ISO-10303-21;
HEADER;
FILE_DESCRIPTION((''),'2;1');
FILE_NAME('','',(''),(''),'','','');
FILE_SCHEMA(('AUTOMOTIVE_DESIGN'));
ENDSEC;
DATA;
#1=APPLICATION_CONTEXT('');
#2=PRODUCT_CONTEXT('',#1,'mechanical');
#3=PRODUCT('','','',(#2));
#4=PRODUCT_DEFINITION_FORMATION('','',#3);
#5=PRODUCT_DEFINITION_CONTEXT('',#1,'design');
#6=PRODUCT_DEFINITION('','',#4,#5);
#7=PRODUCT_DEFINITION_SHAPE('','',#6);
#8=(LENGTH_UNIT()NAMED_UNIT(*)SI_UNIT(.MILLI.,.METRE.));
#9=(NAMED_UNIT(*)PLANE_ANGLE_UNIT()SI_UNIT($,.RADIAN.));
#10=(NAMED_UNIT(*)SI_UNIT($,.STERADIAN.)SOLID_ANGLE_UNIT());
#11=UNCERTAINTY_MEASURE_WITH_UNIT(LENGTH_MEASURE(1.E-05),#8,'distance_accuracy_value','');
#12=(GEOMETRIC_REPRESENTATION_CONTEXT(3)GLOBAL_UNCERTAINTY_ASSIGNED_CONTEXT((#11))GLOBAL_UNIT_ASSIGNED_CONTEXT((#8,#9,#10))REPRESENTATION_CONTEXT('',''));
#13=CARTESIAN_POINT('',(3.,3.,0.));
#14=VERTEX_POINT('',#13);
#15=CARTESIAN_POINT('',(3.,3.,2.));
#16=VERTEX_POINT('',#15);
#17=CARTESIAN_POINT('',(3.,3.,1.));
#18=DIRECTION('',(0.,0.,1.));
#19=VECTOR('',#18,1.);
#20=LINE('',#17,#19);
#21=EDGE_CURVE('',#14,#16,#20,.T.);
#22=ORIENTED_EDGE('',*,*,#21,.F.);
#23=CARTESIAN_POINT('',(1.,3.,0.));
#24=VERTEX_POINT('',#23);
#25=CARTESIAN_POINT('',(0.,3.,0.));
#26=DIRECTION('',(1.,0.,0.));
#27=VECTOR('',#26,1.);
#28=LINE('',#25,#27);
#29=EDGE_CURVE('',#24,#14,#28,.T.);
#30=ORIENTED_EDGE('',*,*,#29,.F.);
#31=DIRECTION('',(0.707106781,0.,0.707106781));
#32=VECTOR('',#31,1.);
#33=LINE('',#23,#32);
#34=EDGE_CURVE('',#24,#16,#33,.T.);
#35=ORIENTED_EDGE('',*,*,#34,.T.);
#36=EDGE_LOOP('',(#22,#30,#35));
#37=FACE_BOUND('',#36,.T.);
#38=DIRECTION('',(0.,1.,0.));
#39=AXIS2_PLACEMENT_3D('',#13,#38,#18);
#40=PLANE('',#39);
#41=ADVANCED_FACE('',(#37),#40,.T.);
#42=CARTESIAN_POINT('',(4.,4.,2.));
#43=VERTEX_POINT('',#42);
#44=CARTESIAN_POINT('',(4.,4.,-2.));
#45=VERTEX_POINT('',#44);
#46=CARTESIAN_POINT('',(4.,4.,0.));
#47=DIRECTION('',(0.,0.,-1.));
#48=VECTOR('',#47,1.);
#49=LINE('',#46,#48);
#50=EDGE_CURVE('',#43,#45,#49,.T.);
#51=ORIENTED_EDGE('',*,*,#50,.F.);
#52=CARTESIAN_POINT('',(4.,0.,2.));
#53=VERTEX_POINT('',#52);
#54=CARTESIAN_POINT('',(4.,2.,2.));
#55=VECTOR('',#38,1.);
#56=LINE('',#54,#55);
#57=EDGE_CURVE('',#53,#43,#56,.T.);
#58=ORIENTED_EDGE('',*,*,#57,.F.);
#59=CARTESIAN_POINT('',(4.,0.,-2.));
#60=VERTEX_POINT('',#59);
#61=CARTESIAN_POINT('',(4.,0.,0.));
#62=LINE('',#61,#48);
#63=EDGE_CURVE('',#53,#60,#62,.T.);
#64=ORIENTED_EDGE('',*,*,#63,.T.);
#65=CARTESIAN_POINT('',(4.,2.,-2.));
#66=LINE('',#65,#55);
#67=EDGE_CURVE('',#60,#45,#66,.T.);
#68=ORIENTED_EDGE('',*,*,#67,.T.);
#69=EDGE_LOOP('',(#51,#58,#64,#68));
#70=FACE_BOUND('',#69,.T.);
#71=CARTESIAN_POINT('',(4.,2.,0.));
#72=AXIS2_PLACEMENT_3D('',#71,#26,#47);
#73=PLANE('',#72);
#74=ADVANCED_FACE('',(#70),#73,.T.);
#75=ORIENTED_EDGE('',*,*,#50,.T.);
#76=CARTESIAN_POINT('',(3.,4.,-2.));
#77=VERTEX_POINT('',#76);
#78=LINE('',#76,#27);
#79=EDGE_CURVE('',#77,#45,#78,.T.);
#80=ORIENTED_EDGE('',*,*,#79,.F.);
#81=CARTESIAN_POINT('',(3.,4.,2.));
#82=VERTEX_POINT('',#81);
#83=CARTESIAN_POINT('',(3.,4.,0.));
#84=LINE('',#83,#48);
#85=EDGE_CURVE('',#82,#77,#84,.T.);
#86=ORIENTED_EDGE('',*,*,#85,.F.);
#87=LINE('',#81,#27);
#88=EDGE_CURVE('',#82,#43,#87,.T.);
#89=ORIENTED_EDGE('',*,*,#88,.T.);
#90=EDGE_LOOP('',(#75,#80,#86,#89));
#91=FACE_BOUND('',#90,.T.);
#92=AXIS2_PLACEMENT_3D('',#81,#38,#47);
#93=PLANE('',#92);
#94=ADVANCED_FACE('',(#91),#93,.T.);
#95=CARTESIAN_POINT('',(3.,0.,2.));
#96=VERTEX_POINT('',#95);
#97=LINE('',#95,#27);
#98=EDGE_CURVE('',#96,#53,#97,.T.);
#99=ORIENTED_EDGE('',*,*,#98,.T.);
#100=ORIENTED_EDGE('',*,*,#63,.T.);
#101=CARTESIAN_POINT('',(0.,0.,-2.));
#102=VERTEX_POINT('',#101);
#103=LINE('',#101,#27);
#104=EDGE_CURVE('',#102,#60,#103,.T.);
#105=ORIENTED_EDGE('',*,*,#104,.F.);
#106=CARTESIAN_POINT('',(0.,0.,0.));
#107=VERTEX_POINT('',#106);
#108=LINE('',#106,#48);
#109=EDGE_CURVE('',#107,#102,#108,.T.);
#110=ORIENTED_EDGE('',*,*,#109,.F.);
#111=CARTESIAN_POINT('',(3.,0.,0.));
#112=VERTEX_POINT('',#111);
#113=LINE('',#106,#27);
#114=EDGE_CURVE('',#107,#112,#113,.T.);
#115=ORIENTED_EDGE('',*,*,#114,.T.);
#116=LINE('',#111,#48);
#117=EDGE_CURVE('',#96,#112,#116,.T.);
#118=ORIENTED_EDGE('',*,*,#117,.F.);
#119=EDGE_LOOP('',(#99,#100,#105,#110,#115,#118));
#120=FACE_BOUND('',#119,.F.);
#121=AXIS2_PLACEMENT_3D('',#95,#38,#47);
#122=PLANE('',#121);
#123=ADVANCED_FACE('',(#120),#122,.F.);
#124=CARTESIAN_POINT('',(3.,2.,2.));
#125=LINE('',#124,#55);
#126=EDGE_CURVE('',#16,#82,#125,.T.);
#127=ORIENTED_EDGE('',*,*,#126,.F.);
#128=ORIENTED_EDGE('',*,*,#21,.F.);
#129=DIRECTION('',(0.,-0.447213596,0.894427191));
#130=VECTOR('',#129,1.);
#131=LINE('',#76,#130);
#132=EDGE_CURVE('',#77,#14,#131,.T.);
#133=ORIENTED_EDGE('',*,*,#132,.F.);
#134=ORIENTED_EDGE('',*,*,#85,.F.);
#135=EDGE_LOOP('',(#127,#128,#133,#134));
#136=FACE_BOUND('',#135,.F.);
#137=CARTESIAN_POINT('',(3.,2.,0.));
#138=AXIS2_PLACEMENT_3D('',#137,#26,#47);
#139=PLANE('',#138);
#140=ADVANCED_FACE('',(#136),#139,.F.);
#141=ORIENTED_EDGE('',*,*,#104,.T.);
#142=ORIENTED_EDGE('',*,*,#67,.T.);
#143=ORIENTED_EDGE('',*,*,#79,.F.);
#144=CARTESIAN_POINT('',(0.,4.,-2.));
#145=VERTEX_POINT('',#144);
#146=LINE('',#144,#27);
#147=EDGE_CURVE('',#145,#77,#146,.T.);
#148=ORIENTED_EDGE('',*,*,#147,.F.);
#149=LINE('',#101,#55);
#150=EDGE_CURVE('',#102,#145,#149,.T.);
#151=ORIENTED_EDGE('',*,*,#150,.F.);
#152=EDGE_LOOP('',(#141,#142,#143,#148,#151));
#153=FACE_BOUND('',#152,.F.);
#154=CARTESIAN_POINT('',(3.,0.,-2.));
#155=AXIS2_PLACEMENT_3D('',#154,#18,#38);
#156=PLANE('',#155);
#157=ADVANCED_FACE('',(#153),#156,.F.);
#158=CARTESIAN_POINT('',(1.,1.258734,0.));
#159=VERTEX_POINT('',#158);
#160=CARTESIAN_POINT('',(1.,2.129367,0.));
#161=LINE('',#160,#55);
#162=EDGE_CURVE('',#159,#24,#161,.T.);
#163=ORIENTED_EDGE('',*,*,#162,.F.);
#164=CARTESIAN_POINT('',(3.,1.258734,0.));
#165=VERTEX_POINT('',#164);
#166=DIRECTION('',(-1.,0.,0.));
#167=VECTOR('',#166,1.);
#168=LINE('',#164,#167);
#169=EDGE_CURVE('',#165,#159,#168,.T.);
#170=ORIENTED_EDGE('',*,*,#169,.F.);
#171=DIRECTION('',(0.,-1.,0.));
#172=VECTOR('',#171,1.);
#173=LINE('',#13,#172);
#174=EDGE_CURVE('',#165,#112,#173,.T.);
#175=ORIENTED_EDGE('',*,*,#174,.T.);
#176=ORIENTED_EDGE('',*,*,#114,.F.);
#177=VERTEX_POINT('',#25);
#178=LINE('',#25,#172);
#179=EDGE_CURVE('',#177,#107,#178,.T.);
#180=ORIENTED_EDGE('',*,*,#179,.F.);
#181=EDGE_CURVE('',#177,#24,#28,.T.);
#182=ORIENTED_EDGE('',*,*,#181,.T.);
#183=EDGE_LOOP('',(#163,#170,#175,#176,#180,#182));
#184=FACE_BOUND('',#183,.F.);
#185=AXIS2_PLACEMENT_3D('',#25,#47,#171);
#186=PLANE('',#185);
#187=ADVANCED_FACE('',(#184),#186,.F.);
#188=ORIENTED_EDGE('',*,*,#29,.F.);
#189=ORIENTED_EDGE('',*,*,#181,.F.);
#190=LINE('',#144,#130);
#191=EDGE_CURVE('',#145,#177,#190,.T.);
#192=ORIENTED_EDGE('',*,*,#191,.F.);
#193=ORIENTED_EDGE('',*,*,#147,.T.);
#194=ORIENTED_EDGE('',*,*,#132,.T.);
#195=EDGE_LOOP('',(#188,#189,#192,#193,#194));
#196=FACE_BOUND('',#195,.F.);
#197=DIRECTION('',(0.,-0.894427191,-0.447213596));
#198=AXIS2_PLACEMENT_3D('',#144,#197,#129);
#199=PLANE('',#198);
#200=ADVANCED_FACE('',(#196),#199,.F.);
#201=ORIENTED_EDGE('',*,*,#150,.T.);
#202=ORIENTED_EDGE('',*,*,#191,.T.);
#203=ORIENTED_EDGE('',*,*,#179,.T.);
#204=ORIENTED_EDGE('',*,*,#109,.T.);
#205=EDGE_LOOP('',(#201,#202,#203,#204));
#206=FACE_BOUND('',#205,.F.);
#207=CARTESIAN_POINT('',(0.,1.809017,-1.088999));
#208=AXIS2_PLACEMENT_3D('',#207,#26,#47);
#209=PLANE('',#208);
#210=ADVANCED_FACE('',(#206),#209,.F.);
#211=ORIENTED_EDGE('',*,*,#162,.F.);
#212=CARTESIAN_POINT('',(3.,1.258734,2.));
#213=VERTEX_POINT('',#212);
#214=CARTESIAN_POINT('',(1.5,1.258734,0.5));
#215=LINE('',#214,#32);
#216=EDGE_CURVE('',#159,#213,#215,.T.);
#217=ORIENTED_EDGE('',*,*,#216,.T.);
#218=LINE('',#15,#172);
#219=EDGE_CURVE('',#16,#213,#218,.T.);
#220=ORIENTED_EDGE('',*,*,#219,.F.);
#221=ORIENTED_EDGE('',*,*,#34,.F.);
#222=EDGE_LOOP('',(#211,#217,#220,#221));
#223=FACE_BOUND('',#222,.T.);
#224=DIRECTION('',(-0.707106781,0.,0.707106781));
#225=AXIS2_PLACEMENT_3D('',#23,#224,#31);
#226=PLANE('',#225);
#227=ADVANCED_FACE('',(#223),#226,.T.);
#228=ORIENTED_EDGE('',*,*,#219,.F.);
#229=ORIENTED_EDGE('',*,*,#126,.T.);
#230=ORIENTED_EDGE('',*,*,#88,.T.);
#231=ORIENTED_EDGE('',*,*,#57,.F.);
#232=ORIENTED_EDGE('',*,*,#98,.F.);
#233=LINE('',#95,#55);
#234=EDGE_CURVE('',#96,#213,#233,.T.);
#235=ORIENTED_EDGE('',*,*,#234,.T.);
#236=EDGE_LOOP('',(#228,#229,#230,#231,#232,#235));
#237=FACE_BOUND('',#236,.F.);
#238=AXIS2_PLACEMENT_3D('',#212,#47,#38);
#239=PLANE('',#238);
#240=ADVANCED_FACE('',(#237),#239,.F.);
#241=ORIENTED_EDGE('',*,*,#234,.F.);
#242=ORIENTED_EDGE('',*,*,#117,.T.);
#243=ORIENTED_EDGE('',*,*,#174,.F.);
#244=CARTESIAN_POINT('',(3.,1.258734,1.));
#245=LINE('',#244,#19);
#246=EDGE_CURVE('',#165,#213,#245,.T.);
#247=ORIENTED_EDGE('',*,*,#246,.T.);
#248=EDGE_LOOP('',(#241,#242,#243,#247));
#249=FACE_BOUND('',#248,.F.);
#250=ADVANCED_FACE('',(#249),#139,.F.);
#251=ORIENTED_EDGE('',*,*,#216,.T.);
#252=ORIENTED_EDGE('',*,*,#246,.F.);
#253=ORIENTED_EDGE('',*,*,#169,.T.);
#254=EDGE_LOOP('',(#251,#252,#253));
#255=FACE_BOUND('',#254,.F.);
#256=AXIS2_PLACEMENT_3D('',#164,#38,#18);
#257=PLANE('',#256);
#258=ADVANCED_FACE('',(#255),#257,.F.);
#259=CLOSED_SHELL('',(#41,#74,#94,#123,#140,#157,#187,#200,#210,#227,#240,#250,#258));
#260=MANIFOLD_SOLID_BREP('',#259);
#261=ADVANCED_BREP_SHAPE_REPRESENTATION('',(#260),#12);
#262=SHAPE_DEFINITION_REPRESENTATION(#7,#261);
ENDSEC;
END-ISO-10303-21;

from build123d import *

# Parameters (mm, degrees)
BOSS_EXTRUDE1_DEPTH = 3
SKETCH2_W           = 4
SKETCH2_H           = 4
BOSS_EXTRUDE2_DEPTH = 1
SKETCH3_W           = 2
SKETCH3_H           = 1.741265719
BOSS_EXTRUDE3_DEPTH = 2
CUT_EXTRUDE1_DEPTH  = 2


with BuildPart() as part:
    # Sketch1 → Boss-Extrude1 (new body)
    with BuildSketch(Plane(origin=(0, 0, 0), x_dir=(0, 0, -1), z_dir=(1, 0, 0))):
        Polygon((0, 0), (2, 0), (2, 4), (0, 3), align=None)
    extrude(amount=BOSS_EXTRUDE1_DEPTH)

    # Sketch2 → Boss-Extrude2 (add)
    with BuildSketch(Plane(origin=(3, 0, 0), x_dir=(0, 0, -1), z_dir=(1, 0, 0))):
        with Locations((0, 2)):
            Rectangle(SKETCH2_W, SKETCH2_H)
    extrude(amount=BOSS_EXTRUDE2_DEPTH)

    # Sketch3 → Boss-Extrude3 (add)
    with BuildSketch(Plane.ZY.offset(-3)):
        with Locations((1, 2.129367141)):
            Rectangle(SKETCH3_W, SKETCH3_H)
    extrude(amount=BOSS_EXTRUDE3_DEPTH)

    # Sketch4 → Cut-Extrude1 (cut)
    with BuildSketch(Plane(origin=(0, 3, 0), x_dir=(1, 0, 0), z_dir=(0, 1, 0))):
        Polygon((1, 0), (3, -2), (1, -2), align=None)
    extrude(amount=-CUT_EXTRUDE1_DEPTH, mode=Mode.SUBTRACT)


solid = part.part
